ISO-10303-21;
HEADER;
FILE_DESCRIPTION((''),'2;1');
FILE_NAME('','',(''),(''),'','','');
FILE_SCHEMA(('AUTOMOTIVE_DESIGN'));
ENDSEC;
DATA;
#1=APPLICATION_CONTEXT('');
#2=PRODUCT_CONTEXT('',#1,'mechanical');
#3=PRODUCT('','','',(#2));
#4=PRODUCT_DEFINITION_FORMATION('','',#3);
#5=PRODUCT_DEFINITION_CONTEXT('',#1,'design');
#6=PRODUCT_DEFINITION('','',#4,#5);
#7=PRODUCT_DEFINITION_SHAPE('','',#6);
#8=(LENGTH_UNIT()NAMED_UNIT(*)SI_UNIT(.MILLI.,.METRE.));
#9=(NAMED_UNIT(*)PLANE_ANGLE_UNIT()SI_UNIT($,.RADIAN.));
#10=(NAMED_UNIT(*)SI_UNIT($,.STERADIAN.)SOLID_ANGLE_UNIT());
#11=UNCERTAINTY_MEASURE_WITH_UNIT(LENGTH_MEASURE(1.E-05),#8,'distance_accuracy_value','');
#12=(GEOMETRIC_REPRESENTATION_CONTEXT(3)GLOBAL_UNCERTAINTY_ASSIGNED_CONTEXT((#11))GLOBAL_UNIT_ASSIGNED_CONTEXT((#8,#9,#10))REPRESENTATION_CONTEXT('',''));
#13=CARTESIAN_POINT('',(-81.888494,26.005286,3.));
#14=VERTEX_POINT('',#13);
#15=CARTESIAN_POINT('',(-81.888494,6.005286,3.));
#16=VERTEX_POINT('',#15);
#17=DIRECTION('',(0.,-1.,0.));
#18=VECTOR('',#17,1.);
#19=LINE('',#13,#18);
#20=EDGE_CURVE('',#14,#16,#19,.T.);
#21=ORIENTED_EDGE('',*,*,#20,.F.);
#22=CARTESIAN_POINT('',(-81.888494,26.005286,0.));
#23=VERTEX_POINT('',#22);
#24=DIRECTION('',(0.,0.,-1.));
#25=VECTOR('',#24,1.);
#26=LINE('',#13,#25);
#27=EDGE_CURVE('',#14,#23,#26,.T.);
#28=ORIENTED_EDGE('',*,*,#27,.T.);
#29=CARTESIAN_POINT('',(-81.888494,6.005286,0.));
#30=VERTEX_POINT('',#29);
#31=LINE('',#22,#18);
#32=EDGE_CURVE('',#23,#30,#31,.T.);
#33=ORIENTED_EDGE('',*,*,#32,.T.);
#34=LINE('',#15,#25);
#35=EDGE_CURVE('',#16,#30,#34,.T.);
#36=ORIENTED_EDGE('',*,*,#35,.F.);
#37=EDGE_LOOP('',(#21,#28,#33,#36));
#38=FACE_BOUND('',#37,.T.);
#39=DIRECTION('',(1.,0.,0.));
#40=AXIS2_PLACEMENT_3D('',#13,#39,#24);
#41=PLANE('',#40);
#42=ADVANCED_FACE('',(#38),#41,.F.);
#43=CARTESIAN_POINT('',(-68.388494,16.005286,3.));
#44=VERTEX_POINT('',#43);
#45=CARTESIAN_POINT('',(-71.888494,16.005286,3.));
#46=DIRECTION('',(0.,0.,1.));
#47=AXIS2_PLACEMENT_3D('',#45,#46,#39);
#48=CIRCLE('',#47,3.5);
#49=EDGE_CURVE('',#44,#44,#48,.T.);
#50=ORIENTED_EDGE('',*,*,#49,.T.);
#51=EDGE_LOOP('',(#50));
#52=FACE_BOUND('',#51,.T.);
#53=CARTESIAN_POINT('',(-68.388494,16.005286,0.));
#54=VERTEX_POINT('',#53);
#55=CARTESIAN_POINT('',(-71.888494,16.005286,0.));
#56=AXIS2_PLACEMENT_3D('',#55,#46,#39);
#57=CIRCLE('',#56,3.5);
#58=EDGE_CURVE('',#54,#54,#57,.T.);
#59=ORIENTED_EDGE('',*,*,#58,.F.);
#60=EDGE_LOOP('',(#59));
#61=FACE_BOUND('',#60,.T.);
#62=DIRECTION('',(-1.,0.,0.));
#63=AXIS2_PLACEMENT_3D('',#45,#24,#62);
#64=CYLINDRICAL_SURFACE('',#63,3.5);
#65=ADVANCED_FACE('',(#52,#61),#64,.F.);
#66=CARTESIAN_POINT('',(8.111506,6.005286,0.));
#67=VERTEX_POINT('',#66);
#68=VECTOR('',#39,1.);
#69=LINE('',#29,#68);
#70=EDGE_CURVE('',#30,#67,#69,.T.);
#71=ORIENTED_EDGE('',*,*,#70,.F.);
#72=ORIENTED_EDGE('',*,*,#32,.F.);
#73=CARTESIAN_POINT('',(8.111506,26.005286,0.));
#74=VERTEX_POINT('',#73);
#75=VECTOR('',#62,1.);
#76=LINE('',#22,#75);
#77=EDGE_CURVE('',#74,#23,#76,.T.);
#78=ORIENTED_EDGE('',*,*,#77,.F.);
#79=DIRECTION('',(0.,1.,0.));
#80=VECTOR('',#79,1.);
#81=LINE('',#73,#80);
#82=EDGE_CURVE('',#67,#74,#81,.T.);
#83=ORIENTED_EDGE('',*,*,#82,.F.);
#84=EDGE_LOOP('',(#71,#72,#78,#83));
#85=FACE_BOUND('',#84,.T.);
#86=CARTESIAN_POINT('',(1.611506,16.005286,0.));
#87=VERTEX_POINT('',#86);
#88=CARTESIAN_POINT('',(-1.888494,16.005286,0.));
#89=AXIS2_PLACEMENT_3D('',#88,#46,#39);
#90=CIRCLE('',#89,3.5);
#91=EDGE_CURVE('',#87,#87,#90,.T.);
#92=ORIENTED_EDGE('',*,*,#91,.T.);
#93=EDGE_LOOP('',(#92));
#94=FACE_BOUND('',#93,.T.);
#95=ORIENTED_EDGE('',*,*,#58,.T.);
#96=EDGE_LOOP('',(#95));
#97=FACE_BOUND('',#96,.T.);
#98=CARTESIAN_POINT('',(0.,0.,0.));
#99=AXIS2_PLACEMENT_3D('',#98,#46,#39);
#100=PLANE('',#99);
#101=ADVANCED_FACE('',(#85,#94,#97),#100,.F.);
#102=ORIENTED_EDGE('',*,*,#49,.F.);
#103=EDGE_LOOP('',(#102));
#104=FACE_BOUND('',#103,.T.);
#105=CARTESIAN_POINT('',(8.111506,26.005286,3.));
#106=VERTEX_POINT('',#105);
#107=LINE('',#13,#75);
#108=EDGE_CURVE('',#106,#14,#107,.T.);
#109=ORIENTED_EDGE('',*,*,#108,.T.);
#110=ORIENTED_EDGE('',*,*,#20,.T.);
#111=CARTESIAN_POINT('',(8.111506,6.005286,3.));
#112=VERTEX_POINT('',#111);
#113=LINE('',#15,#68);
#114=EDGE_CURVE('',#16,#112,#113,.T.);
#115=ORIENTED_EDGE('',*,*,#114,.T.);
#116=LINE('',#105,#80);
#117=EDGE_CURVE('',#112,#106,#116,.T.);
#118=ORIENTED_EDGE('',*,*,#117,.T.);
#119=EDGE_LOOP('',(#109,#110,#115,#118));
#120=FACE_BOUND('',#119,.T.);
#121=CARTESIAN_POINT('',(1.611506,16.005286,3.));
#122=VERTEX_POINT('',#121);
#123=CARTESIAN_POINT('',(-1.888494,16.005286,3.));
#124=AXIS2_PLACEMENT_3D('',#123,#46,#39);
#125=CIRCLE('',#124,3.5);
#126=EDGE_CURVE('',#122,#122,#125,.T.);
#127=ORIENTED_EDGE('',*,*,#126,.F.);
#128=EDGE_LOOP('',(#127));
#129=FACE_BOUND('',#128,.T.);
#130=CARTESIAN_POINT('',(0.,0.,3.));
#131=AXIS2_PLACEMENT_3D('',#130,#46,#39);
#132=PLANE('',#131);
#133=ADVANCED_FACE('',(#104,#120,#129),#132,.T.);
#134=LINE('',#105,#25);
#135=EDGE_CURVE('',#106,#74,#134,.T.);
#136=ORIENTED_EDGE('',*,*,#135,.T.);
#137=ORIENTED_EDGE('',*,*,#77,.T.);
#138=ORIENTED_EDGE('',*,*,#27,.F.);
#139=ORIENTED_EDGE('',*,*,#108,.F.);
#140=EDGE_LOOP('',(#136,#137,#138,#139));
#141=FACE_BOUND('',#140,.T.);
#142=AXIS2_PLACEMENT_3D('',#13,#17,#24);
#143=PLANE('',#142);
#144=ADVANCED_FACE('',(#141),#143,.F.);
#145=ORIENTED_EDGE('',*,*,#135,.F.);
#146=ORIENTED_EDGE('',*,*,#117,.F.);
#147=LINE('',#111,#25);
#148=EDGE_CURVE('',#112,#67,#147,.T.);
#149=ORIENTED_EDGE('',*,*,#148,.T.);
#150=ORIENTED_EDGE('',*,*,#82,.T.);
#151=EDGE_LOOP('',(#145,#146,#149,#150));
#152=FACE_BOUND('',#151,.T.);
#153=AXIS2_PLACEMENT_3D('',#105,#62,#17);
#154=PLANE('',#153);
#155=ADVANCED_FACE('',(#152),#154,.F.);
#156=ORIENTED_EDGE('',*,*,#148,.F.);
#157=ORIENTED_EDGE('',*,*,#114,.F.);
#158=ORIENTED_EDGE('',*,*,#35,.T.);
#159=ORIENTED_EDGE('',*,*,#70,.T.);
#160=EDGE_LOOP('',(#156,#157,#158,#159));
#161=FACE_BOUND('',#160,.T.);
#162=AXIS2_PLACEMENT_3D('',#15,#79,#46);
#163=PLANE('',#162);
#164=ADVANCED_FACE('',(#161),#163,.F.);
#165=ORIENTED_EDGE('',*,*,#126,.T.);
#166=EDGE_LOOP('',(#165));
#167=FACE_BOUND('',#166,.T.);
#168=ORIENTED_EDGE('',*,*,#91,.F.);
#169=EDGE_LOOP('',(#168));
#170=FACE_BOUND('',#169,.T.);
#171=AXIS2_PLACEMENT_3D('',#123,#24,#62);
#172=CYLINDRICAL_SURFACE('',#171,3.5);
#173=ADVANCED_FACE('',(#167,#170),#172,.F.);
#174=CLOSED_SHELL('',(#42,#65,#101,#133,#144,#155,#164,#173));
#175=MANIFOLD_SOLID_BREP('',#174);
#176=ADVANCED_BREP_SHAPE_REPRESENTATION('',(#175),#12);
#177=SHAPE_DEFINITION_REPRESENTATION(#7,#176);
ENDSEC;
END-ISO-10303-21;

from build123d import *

# Parameters (mm, degrees)
CROQUIS1_W              = 90
CROQUIS1_H              = 20
CROQUIS1_R              = 3.5
SALIENTE_EXTRUIR1_DEPTH = 3


with BuildPart() as part:
    # Croquis1 → Saliente-Extruir1 (new body)
    with BuildSketch(Plane.XY):
        with Locations((-36.888493821, 16.005285962)):
            Rectangle(CROQUIS1_W, CROQUIS1_H)
        with Locations((-71.888493821, 16.005285962)):
            Circle(CROQUIS1_R, mode=Mode.SUBTRACT)
        with Locations((-1.888493821, 16.005285962)):
            Circle(CROQUIS1_R, mode=Mode.SUBTRACT)
    extrude(amount=SALIENTE_EXTRUIR1_DEPTH)


solid = part.part
